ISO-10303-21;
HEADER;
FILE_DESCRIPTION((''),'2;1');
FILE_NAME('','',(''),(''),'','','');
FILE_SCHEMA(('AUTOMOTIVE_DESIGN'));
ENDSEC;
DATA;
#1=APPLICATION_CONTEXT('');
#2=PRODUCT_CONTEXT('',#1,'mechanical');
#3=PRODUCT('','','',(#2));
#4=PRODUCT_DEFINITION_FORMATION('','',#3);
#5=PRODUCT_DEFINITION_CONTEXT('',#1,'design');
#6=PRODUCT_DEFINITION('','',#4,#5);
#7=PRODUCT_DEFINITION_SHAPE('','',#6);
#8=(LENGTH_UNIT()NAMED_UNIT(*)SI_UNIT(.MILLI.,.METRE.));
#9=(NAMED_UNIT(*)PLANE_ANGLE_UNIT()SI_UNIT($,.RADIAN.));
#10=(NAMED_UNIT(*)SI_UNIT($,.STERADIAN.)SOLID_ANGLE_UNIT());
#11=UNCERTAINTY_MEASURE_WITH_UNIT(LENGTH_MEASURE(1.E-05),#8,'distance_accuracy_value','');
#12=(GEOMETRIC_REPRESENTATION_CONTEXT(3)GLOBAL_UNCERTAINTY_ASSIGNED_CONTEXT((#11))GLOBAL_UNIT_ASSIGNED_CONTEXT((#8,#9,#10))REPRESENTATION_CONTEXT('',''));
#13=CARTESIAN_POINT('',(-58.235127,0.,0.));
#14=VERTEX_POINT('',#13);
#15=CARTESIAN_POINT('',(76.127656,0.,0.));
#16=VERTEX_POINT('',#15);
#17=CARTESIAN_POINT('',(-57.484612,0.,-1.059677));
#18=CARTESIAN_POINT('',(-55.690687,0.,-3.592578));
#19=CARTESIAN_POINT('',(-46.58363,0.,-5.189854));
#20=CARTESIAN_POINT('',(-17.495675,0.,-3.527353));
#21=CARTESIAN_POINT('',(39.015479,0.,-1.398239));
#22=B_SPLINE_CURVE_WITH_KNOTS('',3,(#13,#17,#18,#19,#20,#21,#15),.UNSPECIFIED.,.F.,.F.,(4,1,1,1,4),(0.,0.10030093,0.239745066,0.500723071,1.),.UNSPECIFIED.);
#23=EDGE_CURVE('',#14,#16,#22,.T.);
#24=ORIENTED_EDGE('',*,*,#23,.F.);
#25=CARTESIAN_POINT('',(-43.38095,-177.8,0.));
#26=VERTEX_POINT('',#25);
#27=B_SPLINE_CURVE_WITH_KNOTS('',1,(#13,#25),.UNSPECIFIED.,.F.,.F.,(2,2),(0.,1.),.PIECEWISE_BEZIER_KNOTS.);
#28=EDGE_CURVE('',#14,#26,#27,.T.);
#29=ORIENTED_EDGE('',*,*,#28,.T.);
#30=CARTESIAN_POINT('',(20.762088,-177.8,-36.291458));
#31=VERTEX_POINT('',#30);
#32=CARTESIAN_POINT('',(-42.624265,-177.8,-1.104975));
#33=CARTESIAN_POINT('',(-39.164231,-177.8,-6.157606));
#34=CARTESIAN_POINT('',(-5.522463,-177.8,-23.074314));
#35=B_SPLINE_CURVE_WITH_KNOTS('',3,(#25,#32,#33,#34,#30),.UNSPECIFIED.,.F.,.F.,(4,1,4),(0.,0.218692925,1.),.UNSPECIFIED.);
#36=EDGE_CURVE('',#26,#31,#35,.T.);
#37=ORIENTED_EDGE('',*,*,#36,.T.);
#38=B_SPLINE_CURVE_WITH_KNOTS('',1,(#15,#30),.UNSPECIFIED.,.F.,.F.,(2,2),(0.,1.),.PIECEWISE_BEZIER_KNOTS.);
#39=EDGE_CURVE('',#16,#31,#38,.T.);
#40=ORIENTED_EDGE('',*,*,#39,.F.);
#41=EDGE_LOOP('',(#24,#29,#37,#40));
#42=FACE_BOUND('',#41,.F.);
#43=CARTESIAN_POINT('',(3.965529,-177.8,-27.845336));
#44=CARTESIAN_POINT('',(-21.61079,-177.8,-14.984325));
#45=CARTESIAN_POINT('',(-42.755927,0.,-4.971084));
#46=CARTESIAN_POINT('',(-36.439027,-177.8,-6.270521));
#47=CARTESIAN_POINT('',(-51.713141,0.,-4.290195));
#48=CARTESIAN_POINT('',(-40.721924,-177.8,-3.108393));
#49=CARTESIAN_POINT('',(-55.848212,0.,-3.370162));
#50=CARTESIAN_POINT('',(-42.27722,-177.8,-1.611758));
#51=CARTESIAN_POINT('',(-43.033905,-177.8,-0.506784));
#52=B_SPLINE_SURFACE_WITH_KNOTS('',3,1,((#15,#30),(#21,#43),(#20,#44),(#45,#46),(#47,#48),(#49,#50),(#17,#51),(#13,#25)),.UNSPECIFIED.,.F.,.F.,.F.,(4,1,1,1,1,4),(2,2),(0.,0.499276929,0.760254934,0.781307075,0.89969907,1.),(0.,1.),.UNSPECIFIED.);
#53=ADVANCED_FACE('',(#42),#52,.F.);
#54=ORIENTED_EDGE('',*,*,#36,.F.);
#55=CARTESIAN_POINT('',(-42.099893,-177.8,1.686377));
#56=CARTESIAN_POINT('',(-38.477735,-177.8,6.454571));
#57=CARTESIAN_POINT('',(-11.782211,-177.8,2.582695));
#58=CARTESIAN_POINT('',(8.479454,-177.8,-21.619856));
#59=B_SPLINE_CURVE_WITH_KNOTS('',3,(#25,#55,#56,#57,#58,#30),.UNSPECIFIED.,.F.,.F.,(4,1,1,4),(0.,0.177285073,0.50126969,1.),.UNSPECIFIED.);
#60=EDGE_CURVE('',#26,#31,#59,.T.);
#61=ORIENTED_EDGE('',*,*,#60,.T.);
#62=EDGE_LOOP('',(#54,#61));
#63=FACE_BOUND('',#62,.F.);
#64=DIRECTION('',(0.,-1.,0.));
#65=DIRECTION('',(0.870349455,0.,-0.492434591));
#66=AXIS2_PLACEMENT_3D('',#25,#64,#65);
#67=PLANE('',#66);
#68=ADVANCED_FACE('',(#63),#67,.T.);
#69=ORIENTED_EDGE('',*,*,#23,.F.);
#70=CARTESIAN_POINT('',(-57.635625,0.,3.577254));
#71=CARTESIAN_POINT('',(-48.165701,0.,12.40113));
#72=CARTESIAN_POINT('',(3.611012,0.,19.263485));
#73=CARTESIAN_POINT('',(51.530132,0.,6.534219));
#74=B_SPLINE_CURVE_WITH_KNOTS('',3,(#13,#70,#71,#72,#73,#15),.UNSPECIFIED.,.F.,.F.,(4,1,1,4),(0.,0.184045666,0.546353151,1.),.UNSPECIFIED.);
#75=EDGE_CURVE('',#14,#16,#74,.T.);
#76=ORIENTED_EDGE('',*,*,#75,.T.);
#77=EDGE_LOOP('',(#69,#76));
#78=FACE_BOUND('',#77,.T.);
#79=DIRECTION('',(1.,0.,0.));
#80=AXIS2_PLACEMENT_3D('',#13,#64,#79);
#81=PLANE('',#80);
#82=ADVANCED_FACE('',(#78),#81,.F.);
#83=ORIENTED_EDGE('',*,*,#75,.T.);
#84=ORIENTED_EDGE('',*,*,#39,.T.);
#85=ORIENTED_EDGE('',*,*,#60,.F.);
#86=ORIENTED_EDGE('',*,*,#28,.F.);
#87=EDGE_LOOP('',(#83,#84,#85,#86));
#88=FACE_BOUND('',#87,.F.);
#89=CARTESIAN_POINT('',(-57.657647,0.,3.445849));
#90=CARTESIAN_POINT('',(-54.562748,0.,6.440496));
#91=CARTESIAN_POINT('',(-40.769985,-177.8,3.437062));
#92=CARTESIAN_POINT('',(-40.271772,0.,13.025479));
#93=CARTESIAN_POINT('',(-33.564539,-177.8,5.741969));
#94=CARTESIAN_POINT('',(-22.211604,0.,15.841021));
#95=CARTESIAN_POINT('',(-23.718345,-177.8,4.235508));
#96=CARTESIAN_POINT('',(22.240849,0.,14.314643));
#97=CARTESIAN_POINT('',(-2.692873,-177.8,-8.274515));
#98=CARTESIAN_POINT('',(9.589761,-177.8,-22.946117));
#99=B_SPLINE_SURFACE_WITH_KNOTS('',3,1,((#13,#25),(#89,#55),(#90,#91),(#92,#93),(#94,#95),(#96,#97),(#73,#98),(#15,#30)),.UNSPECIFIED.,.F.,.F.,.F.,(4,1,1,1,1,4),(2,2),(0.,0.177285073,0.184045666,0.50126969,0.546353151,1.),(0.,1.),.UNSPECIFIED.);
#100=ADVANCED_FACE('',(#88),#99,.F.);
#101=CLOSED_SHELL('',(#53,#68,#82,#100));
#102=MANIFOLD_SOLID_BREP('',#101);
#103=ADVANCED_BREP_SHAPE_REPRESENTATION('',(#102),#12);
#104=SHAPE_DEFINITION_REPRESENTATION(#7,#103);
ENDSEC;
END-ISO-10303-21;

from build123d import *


with BuildPart() as f3:
    # F0 (on Front) → F3 section 0
    with BuildSketch(Plane.XZ):
        with BuildLine():
            add(Edge.make_bspline(
                [(-58.2351274788, 0), (-57.635624982, 3.5772535481), (-48.1657009493, 12.4011298851), (3.6110115175, 19.2634854332), (51.5301322159, 6.5342190648), (76.1276558042, 0)],
                knots=[0, 0, 0, 0, 0.1840456661, 0.5463531507, 1, 1, 1, 1], degree=3))
            add(Edge.make_bspline(
                [(-58.2351274788, 0), (-57.4846120807, -1.0596768675), (-55.6906869078, -3.592577608), (-46.5836299973, -5.1898536504), (-17.4956750196, -3.5273530193), (39.0154790782, -1.3982385317), (76.1276558042, 0)],
                knots=[0, 0, 0, 0, 0.1003009304, 0.2397450662, 0.5007230712, 1, 1, 1, 1], degree=3))
        make_face()
    # F2 (on offset) → F3 section 1
    with BuildSketch(Plane.XZ.offset(177.8)):
        with BuildLine():
            add(Edge.make_bspline(
                [(-43.3809496462, 0), (-42.099893407, 1.6863768719), (-38.4777347474, 6.454570807), (-11.7822108734, 2.5826951819), (8.4794538034, -21.6198559008), (20.7620877773, -36.2914577127)],
                knots=[0, 0, 0, 0, 0.1772850734, 0.5012696898, 1, 1, 1, 1], degree=3))
            add(Edge.make_bspline(
                [(-43.3809496462, 0), (-42.6242646805, -1.1049746909), (-39.1642306432, -6.1576058575), (-5.5224631591, -23.0743139789), (20.7620877773, -36.2914577127)],
                knots=[0, 0, 0, 0, 0.2186929254, 1, 1, 1, 1], degree=3))
        make_face()
    loft()


solid = f3.part
